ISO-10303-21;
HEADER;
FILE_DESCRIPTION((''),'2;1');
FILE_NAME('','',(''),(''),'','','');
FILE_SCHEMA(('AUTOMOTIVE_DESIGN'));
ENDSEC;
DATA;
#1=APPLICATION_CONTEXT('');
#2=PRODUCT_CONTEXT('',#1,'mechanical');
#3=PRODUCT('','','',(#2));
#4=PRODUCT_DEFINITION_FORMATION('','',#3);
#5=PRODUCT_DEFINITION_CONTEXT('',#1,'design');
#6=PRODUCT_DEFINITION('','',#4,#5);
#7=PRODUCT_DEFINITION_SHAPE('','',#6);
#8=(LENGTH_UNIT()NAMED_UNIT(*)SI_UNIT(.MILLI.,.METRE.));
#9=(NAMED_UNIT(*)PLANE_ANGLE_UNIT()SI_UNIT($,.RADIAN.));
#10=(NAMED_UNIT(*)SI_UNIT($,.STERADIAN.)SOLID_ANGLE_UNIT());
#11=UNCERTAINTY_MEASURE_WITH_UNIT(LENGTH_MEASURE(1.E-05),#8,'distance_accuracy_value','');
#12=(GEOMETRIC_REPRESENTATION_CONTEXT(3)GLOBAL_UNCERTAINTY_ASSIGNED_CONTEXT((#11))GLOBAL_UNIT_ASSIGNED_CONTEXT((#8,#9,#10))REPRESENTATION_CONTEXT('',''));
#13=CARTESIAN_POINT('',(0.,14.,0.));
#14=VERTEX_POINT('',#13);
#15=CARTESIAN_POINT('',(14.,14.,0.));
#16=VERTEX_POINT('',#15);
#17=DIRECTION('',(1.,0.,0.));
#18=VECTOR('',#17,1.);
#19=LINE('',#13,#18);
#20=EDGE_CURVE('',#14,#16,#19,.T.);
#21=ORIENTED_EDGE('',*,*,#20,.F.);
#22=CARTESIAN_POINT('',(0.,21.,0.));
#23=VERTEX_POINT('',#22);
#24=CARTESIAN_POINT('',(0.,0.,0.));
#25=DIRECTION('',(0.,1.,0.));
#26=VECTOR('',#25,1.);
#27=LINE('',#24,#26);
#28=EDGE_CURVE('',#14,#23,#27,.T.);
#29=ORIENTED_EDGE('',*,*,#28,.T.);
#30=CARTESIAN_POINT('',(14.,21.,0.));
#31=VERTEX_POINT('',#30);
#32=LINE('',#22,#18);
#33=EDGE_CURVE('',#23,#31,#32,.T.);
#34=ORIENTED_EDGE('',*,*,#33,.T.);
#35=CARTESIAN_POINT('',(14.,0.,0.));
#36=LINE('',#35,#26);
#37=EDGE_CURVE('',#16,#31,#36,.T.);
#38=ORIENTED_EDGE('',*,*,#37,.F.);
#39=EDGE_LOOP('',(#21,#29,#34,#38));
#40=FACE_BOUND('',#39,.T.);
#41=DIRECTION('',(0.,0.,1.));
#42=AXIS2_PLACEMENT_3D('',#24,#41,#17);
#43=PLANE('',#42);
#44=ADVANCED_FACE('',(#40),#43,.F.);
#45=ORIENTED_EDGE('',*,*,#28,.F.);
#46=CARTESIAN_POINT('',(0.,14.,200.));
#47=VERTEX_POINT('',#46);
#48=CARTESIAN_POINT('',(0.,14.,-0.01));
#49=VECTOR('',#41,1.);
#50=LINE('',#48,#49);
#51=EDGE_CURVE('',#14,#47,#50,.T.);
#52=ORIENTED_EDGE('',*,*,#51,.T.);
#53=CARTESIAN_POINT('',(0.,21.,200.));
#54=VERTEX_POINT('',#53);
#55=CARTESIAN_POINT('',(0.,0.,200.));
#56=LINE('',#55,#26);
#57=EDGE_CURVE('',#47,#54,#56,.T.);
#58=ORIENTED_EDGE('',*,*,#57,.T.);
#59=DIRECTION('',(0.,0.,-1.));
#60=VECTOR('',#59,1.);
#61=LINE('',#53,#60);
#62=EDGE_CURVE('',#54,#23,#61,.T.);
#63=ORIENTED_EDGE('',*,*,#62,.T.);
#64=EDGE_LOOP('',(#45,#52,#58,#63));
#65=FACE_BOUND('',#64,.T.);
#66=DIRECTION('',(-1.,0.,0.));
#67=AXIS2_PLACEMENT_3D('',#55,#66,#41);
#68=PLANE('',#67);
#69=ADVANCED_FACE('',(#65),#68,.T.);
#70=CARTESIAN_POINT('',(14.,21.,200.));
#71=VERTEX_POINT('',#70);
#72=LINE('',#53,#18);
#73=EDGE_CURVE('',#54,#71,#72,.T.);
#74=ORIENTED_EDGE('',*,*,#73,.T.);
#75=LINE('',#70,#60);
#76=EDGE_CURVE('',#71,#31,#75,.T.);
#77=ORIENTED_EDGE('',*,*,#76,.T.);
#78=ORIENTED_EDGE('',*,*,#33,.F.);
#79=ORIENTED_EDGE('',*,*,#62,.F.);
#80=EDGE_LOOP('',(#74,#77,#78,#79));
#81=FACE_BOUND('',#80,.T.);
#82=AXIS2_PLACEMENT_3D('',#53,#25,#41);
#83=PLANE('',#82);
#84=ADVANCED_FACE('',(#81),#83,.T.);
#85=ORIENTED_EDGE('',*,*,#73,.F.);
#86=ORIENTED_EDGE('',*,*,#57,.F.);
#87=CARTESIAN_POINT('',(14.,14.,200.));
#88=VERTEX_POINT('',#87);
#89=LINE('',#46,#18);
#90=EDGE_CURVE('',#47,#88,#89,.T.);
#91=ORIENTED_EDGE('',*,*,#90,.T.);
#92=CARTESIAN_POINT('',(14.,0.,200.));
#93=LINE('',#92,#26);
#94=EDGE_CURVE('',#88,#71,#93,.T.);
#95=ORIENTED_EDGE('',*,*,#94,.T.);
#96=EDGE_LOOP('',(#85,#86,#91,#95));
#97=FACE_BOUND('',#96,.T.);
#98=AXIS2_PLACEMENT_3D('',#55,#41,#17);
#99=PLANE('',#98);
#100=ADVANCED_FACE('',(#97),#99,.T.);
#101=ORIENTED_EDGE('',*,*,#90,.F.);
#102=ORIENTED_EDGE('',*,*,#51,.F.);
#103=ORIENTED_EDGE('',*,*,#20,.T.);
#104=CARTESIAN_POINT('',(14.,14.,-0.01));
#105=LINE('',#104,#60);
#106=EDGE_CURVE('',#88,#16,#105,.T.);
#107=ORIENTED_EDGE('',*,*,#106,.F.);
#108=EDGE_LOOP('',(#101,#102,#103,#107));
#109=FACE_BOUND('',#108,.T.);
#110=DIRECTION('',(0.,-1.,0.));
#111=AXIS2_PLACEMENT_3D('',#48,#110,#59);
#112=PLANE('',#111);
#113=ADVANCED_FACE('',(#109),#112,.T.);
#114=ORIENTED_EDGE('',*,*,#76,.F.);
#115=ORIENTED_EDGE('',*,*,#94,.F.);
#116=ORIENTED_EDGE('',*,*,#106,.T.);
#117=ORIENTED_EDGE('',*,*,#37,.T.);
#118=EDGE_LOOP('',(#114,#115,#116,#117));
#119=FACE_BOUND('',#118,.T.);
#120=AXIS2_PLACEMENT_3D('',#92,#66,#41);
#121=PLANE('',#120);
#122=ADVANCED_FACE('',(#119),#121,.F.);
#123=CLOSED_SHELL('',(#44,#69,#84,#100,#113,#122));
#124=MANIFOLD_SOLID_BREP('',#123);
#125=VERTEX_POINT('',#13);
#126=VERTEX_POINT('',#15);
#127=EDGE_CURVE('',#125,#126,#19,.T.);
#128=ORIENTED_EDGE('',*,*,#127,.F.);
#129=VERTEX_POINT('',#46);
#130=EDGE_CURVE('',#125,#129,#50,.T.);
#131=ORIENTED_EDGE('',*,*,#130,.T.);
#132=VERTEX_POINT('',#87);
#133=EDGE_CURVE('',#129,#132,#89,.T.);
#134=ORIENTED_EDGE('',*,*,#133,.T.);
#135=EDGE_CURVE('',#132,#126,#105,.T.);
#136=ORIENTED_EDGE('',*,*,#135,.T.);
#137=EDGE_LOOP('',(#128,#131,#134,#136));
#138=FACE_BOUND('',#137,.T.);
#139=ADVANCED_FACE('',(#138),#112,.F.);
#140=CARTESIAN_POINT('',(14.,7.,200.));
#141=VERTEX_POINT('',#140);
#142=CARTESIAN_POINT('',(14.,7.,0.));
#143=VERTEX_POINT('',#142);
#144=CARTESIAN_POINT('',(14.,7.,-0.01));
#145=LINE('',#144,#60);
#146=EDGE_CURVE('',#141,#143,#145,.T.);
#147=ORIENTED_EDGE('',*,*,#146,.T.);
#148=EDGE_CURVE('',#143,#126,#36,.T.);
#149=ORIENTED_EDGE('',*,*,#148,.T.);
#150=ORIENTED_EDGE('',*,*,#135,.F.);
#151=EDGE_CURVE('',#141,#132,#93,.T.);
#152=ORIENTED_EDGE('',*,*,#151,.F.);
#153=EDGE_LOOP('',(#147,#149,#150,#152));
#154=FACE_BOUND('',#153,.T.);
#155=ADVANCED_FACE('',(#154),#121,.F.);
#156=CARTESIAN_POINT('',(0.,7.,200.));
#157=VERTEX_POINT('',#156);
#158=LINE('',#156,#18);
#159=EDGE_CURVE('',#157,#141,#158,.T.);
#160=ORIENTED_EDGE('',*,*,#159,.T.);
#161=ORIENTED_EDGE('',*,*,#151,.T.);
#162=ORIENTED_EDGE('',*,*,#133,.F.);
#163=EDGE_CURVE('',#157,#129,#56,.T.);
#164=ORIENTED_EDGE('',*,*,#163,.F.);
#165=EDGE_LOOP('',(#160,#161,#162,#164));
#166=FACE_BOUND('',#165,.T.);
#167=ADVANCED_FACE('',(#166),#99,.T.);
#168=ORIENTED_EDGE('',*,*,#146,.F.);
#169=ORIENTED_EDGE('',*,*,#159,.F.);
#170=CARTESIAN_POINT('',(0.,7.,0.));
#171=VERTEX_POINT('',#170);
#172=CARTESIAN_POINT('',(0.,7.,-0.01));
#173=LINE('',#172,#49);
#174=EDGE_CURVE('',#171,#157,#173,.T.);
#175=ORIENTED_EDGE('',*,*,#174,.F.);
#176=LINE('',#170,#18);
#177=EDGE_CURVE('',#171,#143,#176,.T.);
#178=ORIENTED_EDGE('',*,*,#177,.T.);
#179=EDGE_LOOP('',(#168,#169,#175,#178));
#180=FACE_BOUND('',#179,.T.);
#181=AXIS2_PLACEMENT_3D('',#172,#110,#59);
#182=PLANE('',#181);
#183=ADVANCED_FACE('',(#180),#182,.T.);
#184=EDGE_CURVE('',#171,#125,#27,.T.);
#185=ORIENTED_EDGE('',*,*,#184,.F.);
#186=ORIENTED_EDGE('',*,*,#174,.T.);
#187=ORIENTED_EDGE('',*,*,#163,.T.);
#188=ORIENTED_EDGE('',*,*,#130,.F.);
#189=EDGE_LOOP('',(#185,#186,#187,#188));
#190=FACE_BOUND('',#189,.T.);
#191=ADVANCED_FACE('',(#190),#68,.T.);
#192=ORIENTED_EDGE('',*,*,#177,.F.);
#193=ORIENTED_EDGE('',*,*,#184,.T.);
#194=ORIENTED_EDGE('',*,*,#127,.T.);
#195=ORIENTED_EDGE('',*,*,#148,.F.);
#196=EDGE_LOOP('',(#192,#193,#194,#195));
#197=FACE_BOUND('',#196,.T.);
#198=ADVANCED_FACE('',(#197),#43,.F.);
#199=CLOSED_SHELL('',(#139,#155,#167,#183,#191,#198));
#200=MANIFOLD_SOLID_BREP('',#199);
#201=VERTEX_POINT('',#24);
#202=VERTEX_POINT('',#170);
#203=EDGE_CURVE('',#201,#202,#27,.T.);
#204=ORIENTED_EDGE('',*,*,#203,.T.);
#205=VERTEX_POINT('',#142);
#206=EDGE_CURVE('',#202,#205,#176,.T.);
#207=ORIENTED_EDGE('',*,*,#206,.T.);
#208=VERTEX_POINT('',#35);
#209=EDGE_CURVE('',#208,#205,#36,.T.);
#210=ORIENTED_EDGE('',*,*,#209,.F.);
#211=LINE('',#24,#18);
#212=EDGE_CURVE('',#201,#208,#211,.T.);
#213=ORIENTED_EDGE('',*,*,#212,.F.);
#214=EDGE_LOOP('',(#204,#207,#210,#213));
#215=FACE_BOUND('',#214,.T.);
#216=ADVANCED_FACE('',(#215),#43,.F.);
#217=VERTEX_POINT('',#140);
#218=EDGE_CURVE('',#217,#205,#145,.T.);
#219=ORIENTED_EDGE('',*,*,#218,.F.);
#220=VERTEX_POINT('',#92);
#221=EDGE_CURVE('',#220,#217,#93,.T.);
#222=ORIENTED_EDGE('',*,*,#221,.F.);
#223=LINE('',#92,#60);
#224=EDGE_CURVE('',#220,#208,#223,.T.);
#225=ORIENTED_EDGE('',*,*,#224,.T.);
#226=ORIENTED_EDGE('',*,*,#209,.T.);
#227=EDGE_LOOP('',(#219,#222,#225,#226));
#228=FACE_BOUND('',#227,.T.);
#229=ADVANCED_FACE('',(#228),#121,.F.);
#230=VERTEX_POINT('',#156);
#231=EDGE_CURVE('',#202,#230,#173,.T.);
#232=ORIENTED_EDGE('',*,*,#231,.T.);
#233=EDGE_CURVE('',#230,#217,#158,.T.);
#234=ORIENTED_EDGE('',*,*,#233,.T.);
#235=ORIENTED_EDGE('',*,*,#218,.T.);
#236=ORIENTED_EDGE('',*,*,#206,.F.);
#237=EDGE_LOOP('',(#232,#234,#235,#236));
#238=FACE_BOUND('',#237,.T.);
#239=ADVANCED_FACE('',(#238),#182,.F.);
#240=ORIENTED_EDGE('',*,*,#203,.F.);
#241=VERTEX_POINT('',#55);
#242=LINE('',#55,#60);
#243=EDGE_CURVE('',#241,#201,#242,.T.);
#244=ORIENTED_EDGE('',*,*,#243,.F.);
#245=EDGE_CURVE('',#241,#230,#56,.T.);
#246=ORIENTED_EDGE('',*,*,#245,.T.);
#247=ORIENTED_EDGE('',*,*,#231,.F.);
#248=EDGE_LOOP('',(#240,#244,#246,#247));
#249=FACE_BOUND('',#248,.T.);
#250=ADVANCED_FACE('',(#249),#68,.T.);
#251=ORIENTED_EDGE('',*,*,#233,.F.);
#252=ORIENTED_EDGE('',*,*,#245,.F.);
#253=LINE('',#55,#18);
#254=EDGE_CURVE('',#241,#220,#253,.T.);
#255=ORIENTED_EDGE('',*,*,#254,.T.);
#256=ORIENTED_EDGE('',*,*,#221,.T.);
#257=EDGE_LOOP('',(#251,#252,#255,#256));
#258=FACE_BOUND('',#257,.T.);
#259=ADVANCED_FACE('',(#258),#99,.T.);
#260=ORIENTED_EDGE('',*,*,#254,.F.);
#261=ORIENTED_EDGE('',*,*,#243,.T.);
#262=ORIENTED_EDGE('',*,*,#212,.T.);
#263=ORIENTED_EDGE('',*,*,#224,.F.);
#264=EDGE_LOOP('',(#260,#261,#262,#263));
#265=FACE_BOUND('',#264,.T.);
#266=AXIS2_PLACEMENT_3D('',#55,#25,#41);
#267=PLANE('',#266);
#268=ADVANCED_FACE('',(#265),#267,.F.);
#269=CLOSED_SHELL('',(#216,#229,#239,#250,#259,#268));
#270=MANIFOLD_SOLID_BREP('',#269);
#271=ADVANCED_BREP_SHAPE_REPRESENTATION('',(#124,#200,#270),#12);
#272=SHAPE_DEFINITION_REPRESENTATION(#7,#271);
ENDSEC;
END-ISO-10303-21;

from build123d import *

# Parameters (mm, degrees)
SZKIC1_W                    = 14
SZKIC1_H                    = 21
DODANIE_WYCI_GNI_CIE2_DEPTH = 200
PODZIEL1_SURFACE_1_1_BACK   = 202.586
PODZIEL1_SURFACE_1_1_DEPTH  = 405.172
PODZIEL1_SURFACE_1_2_BACK   = 202.586
PODZIEL1_SURFACE_1_2_DEPTH  = 405.172
PODZIEL1_SURFACE_3_3_BACK   = 202.586
PODZIEL1_SURFACE_3_3_DEPTH  = 405.172
PODZIEL1_SURFACE_3_4_BACK   = 202.586
PODZIEL1_SURFACE_3_4_DEPTH  = 405.172


with BuildPart() as part:
    # Szkic1 → Dodanie-wyciągnięcie2 (new body)
    with BuildSketch(Plane.XY):
        with Locations((7, 10.5)):
            Rectangle(SZKIC1_W, SZKIC1_H)
    extrude(amount=DODANIE_WYCI_GNI_CIE2_DEPTH)


with BuildPart() as body_2:
    # Podziel1: the piece behind the surface
    add(part.part)
    # Podziel1 surface 1: a surface, the sketch's curves swept straight by 405.172 mm
    with BuildLine(Plane.XY.offset(-PODZIEL1_SURFACE_1_1_BACK), mode=Mode.PRIVATE) as podziel1_surface_1_1_path:
        Line((0, 14), (14, 14))
    podziel1_surface_1_1 = Shell.extrude(podziel1_surface_1_1_path.wire(), (0 * PODZIEL1_SURFACE_1_1_DEPTH, 0 * PODZIEL1_SURFACE_1_1_DEPTH, 1 * PODZIEL1_SURFACE_1_1_DEPTH))
    split(bisect_by=podziel1_surface_1_1, keep=Keep.BOTTOM)


with BuildPart() as part_1:
    add(part.part)

    # Podziel1: split by a surface, the side it looks to stays
    # Podziel1 surface 1: a surface, the sketch's curves swept straight by 405.172 mm
    with BuildLine(Plane.XY.offset(-PODZIEL1_SURFACE_1_2_BACK), mode=Mode.PRIVATE) as podziel1_surface_1_2_path:
        Line((0, 14), (14, 14))
    podziel1_surface_1_2 = Shell.extrude(podziel1_surface_1_2_path.wire(), (0 * PODZIEL1_SURFACE_1_2_DEPTH, 0 * PODZIEL1_SURFACE_1_2_DEPTH, 1 * PODZIEL1_SURFACE_1_2_DEPTH))
    split(bisect_by=podziel1_surface_1_2, keep=Keep.TOP)


with BuildPart() as body_3_2:
    # Podziel1 3 body 2: the piece behind the surface
    add(body_2.part)
    # Podziel1 surface 3: a surface, the sketch's curves swept straight by 405.172 mm
    with BuildLine(Plane.XY.offset(-PODZIEL1_SURFACE_3_3_BACK), mode=Mode.PRIVATE) as podziel1_surface_3_3_path:
        Line((0, 7), (14, 7))
    podziel1_surface_3_3 = Shell.extrude(podziel1_surface_3_3_path.wire(), (0 * PODZIEL1_SURFACE_3_3_DEPTH, 0 * PODZIEL1_SURFACE_3_3_DEPTH, 1 * PODZIEL1_SURFACE_3_3_DEPTH))
    split(bisect_by=podziel1_surface_3_3, keep=Keep.BOTTOM)


with BuildPart() as body_2_1:
    add(body_2.part)

    # Podziel1 3 body 2: split by a surface, the side it looks to stays
    # Podziel1 surface 3: a surface, the sketch's curves swept straight by 405.172 mm
    with BuildLine(Plane.XY.offset(-PODZIEL1_SURFACE_3_4_BACK), mode=Mode.PRIVATE) as podziel1_surface_3_4_path:
        Line((0, 7), (14, 7))
    podziel1_surface_3_4 = Shell.extrude(podziel1_surface_3_4_path.wire(), (0 * PODZIEL1_SURFACE_3_4_DEPTH, 0 * PODZIEL1_SURFACE_3_4_DEPTH, 1 * PODZIEL1_SURFACE_3_4_DEPTH))
    split(bisect_by=podziel1_surface_3_4, keep=Keep.TOP)


solid = Compound([part_1.part, body_3_2.part, body_2_1.part])
